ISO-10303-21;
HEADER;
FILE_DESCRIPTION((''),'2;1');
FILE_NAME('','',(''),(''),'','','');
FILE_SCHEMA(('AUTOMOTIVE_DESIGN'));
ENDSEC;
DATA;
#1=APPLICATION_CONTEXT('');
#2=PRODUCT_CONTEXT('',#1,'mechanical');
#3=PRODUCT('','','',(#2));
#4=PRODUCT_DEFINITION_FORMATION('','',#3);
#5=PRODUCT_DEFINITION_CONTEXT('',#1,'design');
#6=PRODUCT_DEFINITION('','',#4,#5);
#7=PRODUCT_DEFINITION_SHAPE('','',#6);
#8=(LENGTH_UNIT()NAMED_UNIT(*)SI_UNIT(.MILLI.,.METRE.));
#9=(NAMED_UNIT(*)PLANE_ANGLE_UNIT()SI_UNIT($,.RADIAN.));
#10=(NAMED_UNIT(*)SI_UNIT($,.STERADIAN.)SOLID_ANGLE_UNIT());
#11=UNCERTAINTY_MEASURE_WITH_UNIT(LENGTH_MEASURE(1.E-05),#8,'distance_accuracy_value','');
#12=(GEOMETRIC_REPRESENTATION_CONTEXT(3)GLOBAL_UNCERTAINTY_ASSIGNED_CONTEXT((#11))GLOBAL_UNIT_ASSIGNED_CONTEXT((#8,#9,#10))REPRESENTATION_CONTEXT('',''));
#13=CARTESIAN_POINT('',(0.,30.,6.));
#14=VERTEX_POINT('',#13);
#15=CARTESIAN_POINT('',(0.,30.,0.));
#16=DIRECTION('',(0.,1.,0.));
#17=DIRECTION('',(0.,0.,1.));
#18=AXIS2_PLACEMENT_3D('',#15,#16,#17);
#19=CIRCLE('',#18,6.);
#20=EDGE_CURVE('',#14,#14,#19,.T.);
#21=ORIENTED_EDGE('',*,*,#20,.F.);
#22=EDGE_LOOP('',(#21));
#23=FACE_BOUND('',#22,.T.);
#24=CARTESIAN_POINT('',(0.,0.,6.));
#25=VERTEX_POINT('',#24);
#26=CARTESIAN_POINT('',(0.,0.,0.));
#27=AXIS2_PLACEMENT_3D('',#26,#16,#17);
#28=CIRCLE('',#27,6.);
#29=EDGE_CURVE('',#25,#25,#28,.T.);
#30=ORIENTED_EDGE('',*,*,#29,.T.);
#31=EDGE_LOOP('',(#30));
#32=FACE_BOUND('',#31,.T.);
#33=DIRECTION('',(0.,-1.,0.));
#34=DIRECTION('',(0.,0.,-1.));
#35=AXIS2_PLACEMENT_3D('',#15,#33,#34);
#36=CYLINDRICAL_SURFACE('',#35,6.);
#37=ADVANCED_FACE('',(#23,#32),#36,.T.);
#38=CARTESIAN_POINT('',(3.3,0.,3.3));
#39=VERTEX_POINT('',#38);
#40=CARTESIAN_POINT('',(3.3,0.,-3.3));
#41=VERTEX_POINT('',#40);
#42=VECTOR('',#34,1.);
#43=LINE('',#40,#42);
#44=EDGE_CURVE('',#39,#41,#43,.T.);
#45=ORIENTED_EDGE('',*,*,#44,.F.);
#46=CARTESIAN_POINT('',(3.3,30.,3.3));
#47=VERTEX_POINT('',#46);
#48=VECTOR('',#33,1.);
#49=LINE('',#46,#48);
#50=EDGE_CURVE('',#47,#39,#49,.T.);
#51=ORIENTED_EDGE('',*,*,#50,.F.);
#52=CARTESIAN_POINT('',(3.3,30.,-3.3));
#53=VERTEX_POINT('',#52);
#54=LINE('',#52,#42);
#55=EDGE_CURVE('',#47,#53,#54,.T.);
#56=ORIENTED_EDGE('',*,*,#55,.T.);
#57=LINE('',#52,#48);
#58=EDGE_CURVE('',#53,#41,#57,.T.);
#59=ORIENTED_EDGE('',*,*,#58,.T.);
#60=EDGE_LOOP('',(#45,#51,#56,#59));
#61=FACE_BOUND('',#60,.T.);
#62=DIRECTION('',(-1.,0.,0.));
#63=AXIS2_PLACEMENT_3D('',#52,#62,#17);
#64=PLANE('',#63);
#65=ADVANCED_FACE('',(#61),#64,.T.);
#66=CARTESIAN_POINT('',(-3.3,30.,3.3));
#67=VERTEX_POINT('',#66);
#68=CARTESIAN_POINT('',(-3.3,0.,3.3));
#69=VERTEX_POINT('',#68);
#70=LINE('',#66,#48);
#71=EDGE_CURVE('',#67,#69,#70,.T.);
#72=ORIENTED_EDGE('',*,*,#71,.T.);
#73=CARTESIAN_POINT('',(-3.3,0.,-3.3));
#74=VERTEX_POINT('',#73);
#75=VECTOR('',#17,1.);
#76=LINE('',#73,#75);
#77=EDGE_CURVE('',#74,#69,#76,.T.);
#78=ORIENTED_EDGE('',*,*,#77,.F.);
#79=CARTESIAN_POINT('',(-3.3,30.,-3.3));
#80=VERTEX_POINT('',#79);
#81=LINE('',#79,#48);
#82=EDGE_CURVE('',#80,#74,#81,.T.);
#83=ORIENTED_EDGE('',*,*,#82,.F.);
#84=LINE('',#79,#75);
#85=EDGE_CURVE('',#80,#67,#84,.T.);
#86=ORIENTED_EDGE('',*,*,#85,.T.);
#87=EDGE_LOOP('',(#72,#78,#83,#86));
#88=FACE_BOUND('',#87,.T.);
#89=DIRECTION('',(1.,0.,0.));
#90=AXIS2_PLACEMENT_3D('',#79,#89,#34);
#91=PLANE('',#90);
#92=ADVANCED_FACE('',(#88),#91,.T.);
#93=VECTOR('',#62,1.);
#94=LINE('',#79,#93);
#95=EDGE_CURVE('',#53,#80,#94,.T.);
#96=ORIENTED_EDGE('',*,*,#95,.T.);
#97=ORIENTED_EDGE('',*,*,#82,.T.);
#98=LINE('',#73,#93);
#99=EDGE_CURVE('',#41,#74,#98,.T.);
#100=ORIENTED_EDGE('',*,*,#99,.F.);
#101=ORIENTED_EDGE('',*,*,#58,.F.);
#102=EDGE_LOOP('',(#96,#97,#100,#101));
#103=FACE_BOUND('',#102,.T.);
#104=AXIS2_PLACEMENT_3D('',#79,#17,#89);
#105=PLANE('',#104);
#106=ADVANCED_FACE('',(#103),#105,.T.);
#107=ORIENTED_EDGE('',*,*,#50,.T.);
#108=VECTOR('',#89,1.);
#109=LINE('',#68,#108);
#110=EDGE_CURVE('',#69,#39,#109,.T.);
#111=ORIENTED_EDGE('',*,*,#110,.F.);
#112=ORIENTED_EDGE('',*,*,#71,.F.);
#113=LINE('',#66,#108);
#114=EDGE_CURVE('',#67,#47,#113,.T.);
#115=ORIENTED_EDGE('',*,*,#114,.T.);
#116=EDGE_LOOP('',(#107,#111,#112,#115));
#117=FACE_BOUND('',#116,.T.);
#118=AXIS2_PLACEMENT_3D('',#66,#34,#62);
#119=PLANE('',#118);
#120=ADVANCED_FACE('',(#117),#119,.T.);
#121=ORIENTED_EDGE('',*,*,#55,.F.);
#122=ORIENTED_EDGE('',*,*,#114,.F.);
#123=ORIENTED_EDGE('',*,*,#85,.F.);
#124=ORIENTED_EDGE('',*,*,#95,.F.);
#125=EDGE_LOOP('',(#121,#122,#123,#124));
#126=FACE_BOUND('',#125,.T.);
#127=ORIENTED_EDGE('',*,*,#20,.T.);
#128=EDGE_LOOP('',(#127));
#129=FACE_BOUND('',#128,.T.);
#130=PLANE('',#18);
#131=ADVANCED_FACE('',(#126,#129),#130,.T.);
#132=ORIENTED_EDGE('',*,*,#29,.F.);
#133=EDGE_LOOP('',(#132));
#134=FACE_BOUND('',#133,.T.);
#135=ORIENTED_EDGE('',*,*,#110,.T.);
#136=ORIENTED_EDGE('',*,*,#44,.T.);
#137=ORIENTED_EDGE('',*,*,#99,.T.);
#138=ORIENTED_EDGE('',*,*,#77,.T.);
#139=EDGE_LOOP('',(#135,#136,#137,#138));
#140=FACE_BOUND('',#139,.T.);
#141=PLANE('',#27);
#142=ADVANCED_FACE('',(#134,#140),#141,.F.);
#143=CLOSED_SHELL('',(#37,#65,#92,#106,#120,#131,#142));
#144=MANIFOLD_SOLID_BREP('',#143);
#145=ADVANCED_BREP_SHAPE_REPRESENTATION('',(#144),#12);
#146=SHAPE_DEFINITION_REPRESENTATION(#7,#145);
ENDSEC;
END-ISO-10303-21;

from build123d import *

# Parameters (mm, degrees)
SKETCH1_R           = 6
SKETCH1_W           = 6.6
SKETCH1_H           = 6.6
BOSS_EXTRUDE1_DEPTH = 30


with BuildPart() as part:
    # Sketch1 → Boss-Extrude1 (new body)
    with BuildSketch(Plane(origin=(0, 0, 0), x_dir=(1, 0, 0), z_dir=(0, 1, 0))):
        with Locations(Location((0, 0, 0), (0, 0, 270))):
            Circle(SKETCH1_R)
        Rectangle(SKETCH1_W, SKETCH1_H, mode=Mode.SUBTRACT)
    extrude(amount=BOSS_EXTRUDE1_DEPTH)


solid = part.part
